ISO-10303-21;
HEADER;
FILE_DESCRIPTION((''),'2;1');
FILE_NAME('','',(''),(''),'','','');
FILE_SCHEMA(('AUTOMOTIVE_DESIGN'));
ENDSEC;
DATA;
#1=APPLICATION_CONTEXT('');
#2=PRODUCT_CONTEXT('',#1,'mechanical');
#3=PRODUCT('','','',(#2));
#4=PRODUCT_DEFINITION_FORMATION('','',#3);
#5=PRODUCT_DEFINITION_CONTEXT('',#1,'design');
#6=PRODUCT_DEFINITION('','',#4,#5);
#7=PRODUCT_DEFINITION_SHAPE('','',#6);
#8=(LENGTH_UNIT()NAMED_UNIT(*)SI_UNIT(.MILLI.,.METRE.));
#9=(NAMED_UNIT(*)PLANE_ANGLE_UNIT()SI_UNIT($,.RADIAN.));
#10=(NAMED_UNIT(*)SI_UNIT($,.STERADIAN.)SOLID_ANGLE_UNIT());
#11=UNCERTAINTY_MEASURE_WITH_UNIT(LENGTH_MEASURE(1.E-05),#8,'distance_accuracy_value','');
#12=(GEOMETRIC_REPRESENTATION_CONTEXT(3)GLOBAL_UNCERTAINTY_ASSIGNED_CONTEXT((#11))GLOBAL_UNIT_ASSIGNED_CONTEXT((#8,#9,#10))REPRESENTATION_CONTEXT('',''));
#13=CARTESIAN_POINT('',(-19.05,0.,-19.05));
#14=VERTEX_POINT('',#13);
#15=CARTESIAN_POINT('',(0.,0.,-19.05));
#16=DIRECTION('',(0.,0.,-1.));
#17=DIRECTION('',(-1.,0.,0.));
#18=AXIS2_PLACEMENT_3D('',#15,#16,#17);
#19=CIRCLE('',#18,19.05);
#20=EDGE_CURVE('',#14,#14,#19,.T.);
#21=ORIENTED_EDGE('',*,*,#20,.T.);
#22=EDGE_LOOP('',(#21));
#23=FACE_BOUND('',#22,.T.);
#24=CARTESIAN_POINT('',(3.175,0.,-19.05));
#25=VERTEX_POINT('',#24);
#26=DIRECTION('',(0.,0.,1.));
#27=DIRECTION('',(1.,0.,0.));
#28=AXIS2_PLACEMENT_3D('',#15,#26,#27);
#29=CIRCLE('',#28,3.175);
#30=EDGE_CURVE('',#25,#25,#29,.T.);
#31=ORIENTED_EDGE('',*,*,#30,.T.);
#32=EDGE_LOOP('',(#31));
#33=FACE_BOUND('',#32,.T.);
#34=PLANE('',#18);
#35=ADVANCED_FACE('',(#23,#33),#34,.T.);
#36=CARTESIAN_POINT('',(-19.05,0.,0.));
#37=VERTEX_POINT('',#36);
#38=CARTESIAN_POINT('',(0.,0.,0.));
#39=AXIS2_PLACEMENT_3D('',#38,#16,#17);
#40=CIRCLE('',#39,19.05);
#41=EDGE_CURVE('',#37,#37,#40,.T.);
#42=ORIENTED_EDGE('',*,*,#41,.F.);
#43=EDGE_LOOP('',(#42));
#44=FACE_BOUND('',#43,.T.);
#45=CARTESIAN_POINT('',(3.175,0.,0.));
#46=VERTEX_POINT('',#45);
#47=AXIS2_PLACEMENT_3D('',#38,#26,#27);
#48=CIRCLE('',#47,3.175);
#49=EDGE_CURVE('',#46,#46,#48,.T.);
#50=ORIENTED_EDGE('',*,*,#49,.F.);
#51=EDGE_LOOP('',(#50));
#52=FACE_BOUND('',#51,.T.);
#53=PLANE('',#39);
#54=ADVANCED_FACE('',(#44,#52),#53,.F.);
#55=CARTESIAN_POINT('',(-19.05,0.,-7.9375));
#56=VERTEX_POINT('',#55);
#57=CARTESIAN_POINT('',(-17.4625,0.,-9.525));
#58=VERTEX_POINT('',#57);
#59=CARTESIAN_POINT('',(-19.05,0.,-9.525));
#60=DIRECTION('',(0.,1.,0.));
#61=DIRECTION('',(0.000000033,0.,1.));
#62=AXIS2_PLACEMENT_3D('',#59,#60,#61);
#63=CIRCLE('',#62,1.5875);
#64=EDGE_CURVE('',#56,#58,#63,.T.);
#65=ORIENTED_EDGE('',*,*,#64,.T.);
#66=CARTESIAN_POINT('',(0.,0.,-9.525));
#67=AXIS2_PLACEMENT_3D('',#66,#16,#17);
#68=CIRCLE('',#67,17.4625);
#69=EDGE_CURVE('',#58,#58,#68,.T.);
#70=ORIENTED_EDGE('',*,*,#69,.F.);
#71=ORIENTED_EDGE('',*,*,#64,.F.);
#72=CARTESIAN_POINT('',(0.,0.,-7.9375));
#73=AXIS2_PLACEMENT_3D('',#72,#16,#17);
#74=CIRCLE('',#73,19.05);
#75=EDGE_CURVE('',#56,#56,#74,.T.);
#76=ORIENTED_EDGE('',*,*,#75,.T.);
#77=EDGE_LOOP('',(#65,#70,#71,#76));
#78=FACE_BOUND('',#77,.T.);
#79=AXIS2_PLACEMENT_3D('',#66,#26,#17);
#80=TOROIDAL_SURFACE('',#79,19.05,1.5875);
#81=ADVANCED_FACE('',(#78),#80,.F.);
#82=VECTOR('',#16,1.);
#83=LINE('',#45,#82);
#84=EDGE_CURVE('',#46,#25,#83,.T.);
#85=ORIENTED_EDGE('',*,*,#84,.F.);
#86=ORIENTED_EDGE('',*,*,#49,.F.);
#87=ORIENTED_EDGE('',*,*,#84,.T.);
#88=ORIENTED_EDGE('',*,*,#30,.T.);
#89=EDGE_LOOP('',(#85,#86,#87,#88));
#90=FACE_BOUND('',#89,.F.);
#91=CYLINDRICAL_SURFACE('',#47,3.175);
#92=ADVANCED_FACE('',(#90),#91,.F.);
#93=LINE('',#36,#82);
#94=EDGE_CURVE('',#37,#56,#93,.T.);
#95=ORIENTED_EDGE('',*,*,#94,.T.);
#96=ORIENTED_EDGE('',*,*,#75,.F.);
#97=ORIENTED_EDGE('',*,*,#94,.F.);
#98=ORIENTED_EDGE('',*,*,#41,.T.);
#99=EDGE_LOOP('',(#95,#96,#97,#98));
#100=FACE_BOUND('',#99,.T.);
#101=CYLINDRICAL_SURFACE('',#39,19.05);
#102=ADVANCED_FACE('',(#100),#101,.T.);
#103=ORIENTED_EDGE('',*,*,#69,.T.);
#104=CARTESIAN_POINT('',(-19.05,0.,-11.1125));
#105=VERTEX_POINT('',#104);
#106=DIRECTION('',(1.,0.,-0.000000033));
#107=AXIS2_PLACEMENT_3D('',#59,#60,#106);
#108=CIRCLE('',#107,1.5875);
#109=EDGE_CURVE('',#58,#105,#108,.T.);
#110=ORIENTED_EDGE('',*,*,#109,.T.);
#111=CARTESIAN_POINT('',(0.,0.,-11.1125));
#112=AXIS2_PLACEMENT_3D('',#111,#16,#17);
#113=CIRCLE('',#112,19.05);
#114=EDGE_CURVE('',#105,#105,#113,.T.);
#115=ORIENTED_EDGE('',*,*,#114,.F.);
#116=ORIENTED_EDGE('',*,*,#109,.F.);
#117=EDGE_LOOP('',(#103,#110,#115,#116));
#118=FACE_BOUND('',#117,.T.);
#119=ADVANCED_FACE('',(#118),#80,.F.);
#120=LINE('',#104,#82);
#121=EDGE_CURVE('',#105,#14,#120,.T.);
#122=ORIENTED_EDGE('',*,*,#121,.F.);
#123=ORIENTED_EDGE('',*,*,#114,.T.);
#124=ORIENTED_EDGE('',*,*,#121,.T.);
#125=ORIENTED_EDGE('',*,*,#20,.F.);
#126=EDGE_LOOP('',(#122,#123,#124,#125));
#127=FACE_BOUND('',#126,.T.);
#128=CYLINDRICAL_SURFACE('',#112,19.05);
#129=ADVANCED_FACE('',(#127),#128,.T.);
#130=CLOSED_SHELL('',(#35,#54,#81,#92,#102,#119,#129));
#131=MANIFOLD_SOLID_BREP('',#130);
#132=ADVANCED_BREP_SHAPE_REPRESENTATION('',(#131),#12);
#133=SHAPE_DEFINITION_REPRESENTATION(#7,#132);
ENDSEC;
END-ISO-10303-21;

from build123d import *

# Parameters (mm, degrees)
F2_R     = 3.175
F3_DEPTH = 25.4


with BuildPart() as f1:
    # F0 (on Front) → F1 (revolve)
    with BuildSketch(Plane.XZ):
        with BuildLine():
            Line((0, -19.05), (0, 0))
            Line((0, 0), (-19.05, 0))
            Line((-19.05, 0), (-19.05, -7.9375))
            ThreePointArc((-19.05, -7.9375), (-17.927468, -8.402468), (-17.4625, -9.525))
            ThreePointArc((-17.4625, -9.525), (-17.927468, -10.647532), (-19.05, -11.1125))
            Line((-19.05, -11.1125), (-19.05, -19.05))
            Line((-19.05, -19.05), (0, -19.05))
        make_face()
    revolve(axis=Axis((0, 0, -9.525), (0, 0, -1)))

    # F2 (on face) → F3 (cut)
    with BuildSketch(Plane.XY):
        Circle(F2_R)
    extrude(amount=-F3_DEPTH, mode=Mode.SUBTRACT)


solid = f1.part
